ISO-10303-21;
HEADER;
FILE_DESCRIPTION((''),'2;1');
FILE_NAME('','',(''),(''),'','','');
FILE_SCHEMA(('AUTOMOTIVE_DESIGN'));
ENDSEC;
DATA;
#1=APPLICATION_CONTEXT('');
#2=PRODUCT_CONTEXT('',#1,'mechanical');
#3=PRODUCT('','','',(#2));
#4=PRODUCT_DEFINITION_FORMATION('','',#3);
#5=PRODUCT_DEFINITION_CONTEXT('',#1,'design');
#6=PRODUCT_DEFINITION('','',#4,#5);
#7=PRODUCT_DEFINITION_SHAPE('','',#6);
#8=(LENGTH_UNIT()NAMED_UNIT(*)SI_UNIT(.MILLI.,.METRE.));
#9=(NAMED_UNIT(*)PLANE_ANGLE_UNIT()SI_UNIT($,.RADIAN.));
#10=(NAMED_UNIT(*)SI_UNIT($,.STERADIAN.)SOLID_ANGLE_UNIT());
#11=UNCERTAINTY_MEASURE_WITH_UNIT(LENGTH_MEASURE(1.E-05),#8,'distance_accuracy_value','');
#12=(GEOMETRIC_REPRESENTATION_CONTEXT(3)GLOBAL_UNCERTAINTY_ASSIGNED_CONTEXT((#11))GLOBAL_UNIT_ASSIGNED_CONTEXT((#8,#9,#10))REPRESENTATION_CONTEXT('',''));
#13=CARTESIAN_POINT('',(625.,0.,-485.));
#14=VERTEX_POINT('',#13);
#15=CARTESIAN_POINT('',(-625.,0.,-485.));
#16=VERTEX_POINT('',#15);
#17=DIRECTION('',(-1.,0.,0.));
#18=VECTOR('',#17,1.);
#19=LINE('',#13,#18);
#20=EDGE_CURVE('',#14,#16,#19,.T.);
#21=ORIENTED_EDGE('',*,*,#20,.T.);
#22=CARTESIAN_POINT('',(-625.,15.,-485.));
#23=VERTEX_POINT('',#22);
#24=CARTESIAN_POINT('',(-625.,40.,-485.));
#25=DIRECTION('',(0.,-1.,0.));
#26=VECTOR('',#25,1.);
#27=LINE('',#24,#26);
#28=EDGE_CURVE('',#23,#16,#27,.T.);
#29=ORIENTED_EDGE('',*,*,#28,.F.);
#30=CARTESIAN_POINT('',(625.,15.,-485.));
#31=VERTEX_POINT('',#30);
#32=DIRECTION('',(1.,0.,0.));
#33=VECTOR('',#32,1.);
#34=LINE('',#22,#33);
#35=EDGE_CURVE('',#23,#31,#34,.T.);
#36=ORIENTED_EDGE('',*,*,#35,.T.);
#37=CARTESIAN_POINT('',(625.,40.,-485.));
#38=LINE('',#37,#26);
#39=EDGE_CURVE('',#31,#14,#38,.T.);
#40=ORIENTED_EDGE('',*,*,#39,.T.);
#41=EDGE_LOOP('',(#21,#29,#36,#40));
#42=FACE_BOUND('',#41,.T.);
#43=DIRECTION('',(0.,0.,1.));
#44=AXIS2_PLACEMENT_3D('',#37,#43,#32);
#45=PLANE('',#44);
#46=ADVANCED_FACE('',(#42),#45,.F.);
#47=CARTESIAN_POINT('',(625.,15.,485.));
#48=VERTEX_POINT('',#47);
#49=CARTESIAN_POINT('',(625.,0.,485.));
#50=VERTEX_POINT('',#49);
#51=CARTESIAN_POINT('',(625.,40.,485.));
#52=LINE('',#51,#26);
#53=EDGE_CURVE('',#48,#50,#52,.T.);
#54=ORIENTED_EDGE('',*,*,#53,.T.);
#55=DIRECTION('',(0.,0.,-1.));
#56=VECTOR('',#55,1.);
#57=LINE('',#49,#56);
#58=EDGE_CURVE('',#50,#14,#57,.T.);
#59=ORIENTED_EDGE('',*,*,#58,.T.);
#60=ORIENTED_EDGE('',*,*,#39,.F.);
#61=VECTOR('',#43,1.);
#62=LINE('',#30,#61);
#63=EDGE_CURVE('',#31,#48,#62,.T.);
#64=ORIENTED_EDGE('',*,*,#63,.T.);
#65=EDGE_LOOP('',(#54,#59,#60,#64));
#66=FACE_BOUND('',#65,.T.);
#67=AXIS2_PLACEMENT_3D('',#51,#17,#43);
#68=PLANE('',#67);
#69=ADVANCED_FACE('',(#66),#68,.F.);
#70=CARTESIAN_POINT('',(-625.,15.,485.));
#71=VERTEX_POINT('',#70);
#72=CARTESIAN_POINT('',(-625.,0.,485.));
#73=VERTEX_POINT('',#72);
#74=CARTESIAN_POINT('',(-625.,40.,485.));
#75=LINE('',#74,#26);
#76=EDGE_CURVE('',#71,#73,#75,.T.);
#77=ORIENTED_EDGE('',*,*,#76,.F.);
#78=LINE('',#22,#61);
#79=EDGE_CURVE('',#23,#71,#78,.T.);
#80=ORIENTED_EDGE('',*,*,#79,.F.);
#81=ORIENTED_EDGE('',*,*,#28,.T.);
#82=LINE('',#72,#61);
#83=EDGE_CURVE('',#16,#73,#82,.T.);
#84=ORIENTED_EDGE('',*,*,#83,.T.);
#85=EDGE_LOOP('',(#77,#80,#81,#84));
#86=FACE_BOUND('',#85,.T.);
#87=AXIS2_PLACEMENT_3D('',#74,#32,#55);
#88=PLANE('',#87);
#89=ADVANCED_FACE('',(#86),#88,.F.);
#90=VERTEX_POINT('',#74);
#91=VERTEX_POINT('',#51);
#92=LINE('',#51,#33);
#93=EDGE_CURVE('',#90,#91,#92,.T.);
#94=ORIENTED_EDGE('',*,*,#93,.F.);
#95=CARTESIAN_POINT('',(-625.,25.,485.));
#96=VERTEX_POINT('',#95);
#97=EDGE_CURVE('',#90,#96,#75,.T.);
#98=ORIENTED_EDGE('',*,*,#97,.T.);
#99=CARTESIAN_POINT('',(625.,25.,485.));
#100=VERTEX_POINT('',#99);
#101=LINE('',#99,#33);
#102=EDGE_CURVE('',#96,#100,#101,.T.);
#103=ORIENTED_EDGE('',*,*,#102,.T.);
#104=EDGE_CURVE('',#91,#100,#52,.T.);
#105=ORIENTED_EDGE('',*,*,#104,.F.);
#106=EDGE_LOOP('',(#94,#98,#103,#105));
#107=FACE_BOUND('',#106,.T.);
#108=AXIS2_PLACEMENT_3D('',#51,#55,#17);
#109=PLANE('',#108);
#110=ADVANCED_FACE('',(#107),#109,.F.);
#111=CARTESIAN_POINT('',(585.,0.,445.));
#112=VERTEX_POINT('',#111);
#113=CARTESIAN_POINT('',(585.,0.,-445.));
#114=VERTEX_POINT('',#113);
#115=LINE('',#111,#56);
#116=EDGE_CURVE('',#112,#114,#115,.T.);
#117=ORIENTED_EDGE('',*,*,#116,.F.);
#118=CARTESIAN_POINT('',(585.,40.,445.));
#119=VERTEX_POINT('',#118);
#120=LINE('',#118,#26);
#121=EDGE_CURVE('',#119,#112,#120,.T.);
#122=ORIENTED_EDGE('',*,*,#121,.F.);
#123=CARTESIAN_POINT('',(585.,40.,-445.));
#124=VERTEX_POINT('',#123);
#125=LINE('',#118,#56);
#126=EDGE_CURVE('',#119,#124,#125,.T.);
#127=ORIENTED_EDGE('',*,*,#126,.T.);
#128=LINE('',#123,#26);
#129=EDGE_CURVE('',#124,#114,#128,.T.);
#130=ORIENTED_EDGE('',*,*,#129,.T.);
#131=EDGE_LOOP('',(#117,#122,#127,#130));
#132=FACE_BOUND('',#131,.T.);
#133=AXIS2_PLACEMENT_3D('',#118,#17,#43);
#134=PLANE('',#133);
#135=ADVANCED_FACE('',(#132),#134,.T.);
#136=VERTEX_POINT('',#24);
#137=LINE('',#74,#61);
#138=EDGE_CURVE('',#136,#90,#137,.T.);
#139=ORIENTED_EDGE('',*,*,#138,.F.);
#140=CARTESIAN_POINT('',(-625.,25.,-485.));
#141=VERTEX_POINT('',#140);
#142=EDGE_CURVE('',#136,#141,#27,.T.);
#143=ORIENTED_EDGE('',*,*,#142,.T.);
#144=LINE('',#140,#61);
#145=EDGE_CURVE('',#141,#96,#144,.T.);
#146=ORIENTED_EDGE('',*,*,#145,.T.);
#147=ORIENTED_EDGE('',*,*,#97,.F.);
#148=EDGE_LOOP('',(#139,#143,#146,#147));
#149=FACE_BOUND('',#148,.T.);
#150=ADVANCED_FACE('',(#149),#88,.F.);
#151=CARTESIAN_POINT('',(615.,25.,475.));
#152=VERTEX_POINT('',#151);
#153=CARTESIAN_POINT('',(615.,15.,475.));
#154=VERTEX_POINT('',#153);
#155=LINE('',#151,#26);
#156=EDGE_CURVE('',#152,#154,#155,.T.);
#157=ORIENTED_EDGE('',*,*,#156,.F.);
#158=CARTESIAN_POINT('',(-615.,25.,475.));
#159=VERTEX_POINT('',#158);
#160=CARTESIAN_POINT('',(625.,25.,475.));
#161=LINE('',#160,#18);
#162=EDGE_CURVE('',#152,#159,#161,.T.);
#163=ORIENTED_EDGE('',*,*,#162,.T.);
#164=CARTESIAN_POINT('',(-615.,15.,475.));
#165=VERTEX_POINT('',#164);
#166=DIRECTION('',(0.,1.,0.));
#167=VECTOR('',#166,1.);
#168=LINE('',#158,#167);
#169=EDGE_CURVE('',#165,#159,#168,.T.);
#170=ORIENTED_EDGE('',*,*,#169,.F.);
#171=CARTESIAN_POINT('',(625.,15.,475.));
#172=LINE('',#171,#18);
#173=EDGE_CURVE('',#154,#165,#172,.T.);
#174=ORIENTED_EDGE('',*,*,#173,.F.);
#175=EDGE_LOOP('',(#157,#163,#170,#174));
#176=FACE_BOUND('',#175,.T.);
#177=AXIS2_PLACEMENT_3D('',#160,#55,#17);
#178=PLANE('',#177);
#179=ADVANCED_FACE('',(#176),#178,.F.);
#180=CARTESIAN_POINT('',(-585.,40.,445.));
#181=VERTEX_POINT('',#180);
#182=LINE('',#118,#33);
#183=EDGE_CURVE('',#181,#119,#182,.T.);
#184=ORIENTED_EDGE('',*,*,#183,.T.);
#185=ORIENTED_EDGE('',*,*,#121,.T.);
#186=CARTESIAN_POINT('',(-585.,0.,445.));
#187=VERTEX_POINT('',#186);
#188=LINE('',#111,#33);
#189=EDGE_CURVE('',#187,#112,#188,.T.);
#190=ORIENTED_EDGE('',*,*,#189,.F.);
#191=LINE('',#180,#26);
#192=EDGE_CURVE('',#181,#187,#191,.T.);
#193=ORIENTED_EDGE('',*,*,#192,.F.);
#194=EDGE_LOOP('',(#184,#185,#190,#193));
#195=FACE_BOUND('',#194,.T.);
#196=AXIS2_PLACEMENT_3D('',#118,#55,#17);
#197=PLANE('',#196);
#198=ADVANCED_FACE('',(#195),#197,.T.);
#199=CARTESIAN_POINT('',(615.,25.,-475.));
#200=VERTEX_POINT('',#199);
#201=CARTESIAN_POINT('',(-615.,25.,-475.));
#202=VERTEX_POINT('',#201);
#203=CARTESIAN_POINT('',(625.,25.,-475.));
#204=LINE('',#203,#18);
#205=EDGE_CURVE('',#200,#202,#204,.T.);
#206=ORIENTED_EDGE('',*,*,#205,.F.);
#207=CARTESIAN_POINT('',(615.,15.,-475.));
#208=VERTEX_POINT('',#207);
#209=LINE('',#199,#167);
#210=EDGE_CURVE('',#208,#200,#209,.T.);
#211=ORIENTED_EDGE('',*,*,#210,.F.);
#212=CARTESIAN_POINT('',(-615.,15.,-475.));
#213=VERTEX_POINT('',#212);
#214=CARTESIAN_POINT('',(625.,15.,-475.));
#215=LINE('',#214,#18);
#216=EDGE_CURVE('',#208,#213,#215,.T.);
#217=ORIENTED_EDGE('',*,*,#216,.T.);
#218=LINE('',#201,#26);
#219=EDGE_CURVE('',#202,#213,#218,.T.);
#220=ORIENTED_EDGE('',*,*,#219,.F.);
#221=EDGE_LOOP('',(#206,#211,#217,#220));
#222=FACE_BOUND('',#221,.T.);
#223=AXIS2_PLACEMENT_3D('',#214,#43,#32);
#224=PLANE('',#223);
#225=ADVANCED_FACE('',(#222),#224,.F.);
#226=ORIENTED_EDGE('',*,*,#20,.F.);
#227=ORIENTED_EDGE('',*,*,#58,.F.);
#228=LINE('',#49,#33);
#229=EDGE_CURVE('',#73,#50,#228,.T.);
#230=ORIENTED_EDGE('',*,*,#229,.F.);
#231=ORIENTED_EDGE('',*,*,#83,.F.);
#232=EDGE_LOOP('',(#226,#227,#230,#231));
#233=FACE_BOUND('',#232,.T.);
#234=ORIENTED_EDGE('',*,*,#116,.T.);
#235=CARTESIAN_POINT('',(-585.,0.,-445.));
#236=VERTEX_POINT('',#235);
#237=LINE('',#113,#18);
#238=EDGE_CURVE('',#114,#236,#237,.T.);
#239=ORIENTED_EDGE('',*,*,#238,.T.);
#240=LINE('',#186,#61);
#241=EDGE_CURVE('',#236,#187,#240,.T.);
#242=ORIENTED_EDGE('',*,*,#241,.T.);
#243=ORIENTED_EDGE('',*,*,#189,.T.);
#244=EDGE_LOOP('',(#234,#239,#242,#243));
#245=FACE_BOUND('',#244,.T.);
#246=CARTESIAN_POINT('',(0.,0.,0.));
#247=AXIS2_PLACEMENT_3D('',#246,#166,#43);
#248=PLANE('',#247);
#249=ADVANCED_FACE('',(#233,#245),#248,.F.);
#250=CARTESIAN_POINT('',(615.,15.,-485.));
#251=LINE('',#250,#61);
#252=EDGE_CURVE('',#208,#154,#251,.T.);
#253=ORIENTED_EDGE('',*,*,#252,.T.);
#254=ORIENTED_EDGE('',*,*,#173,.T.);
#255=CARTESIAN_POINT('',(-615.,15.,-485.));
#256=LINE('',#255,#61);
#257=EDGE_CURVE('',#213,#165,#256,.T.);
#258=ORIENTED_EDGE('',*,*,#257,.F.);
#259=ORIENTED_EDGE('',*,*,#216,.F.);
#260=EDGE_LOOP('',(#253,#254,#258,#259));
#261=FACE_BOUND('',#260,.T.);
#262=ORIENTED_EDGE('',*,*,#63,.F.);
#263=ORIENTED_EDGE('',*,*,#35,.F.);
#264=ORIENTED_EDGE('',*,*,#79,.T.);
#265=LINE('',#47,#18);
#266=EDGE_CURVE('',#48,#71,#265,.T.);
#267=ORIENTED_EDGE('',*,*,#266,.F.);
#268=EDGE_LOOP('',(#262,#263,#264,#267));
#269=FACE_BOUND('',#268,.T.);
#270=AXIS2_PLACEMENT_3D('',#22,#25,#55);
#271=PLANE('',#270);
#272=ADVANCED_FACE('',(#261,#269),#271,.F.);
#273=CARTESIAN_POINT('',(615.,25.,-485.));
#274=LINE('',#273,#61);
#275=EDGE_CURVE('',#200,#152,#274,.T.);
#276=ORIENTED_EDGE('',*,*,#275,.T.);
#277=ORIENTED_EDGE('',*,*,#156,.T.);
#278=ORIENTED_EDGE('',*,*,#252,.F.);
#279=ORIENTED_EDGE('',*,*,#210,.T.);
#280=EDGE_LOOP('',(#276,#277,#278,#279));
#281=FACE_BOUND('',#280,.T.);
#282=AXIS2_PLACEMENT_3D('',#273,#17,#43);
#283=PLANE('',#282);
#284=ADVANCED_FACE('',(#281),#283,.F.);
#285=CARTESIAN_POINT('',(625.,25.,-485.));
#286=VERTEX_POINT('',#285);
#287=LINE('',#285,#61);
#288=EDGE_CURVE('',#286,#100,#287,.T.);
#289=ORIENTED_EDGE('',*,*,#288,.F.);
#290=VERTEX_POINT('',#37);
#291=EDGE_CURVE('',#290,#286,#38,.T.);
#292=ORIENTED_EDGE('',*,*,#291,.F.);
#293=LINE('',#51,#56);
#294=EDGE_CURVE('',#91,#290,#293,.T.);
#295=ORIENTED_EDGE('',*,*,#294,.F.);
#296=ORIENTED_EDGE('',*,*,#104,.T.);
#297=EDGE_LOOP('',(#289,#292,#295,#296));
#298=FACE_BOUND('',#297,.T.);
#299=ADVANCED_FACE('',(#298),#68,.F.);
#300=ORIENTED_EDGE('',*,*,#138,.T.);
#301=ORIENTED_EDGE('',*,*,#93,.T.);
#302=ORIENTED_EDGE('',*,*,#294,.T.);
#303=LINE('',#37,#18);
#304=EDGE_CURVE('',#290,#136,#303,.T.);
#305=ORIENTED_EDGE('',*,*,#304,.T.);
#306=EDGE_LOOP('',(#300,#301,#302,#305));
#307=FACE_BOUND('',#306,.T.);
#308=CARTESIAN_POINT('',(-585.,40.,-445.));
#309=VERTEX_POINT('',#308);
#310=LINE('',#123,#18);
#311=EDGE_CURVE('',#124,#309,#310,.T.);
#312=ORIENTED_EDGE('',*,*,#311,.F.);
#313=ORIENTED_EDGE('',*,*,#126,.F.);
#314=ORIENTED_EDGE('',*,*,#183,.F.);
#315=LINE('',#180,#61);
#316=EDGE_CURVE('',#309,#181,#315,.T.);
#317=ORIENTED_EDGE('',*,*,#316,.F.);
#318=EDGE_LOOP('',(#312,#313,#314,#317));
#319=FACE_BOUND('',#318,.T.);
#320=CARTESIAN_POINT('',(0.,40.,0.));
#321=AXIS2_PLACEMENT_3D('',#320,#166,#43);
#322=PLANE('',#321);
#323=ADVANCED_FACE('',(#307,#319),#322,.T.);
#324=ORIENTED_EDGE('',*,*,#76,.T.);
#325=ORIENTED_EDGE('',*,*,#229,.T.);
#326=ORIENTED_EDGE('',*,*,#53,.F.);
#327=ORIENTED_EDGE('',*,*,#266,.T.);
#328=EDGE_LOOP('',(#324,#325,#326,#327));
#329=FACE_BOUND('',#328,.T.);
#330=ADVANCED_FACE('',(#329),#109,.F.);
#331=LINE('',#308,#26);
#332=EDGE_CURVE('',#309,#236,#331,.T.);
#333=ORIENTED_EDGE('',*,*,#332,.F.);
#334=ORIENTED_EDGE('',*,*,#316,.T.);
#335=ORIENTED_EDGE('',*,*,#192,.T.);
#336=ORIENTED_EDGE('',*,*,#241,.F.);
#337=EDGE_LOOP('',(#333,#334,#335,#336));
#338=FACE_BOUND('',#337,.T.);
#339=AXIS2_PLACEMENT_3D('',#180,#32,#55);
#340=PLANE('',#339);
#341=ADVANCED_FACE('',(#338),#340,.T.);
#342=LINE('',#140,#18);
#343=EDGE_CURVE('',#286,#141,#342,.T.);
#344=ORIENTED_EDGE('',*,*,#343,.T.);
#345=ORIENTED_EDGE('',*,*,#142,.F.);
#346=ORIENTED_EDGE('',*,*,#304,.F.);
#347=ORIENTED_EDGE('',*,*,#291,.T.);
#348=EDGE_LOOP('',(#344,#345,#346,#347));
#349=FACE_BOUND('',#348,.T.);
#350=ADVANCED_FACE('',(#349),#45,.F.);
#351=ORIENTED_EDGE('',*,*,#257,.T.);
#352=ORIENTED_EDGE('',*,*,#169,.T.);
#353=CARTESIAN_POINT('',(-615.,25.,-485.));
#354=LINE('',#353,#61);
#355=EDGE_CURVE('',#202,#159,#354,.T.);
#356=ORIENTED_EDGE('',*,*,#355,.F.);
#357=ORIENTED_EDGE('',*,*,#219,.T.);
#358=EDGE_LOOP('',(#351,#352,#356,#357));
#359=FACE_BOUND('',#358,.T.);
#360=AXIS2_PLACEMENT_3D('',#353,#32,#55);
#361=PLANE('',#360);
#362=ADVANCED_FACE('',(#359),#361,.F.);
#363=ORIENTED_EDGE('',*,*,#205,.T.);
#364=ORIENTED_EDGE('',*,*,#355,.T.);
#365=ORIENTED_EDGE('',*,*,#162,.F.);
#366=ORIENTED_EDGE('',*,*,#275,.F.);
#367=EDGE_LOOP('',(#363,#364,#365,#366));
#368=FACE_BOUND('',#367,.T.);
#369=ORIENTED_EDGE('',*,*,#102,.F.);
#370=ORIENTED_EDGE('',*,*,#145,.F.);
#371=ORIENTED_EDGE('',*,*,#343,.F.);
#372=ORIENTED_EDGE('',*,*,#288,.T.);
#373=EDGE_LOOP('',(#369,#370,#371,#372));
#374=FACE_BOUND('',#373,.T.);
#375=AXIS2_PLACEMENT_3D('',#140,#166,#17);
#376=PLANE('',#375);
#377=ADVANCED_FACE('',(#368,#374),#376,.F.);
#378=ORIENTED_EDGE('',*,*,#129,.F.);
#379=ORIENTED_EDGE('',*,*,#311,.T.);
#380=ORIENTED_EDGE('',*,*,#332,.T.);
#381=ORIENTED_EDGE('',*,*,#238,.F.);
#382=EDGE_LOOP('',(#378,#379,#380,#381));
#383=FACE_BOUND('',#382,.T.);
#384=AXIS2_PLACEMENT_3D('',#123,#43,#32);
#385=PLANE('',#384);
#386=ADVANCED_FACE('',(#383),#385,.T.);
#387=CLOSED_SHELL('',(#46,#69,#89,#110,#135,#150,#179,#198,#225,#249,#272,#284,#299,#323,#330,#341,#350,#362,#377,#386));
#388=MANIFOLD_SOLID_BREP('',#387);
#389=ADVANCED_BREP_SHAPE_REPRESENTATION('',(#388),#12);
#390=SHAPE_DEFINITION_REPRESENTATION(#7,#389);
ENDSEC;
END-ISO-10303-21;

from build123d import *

# Parameters (mm, degrees)
SKETCH1_W               = 1250
SKETCH1_H               = 970
SKETCH1_W_2             = 1170
SKETCH1_H_2             = 890
BOSS_EXTRUDE1_DEPTH     = 40
CUT_EXTRUDE1_DEPTH      = 1155.610323876
CUT_EXTRUDE1_DEPTH_BACK = 1155.610323876
SKETCH2_W               = 10
SKETCH2_H               = 10
CUT_EXTRUDE2_DEPTH      = 1342.389205264
CUT_EXTRUDE2_DEPTH_BACK = 1342.389205264
SKETCH3_W               = 10
SKETCH3_H               = 10


with BuildPart() as part:
    # Sketch1 → Boss-Extrude1 (new body)
    with BuildSketch(Plane(origin=(0, 0, 0), x_dir=(1, 0, 0), z_dir=(0, 1, 0))):
        Rectangle(SKETCH1_W, SKETCH1_H)
        Rectangle(SKETCH1_W_2, SKETCH1_H_2, mode=Mode.SUBTRACT)
    extrude(amount=BOSS_EXTRUDE1_DEPTH)

    # Sketch2 → Cut-Extrude1 (cut, two sides: drawn at the far end of the back side and taken through both)
    with BuildSketch(Plane.XY.offset(485).offset(-CUT_EXTRUDE1_DEPTH_BACK)):
        with Locations((-620, 20)):
            Rectangle(SKETCH2_W, SKETCH2_H)
        with Locations((620, 20)):
            Rectangle(SKETCH2_W, SKETCH2_H)
    extrude(amount=CUT_EXTRUDE1_DEPTH + CUT_EXTRUDE1_DEPTH_BACK, mode=Mode.SUBTRACT)

    # Sketch3 → Cut-Extrude2 (cut, two sides: drawn at the far end of the back side and taken through both)
    with BuildSketch(Plane.ZY.offset(625).offset(-CUT_EXTRUDE2_DEPTH_BACK)):
        with Locations((480, 20)):
            Rectangle(SKETCH3_W, SKETCH3_H)
        with Locations((-480, 20)):
            Rectangle(SKETCH3_W, SKETCH3_H)
    extrude(amount=CUT_EXTRUDE2_DEPTH + CUT_EXTRUDE2_DEPTH_BACK, mode=Mode.SUBTRACT)


solid = part.part
